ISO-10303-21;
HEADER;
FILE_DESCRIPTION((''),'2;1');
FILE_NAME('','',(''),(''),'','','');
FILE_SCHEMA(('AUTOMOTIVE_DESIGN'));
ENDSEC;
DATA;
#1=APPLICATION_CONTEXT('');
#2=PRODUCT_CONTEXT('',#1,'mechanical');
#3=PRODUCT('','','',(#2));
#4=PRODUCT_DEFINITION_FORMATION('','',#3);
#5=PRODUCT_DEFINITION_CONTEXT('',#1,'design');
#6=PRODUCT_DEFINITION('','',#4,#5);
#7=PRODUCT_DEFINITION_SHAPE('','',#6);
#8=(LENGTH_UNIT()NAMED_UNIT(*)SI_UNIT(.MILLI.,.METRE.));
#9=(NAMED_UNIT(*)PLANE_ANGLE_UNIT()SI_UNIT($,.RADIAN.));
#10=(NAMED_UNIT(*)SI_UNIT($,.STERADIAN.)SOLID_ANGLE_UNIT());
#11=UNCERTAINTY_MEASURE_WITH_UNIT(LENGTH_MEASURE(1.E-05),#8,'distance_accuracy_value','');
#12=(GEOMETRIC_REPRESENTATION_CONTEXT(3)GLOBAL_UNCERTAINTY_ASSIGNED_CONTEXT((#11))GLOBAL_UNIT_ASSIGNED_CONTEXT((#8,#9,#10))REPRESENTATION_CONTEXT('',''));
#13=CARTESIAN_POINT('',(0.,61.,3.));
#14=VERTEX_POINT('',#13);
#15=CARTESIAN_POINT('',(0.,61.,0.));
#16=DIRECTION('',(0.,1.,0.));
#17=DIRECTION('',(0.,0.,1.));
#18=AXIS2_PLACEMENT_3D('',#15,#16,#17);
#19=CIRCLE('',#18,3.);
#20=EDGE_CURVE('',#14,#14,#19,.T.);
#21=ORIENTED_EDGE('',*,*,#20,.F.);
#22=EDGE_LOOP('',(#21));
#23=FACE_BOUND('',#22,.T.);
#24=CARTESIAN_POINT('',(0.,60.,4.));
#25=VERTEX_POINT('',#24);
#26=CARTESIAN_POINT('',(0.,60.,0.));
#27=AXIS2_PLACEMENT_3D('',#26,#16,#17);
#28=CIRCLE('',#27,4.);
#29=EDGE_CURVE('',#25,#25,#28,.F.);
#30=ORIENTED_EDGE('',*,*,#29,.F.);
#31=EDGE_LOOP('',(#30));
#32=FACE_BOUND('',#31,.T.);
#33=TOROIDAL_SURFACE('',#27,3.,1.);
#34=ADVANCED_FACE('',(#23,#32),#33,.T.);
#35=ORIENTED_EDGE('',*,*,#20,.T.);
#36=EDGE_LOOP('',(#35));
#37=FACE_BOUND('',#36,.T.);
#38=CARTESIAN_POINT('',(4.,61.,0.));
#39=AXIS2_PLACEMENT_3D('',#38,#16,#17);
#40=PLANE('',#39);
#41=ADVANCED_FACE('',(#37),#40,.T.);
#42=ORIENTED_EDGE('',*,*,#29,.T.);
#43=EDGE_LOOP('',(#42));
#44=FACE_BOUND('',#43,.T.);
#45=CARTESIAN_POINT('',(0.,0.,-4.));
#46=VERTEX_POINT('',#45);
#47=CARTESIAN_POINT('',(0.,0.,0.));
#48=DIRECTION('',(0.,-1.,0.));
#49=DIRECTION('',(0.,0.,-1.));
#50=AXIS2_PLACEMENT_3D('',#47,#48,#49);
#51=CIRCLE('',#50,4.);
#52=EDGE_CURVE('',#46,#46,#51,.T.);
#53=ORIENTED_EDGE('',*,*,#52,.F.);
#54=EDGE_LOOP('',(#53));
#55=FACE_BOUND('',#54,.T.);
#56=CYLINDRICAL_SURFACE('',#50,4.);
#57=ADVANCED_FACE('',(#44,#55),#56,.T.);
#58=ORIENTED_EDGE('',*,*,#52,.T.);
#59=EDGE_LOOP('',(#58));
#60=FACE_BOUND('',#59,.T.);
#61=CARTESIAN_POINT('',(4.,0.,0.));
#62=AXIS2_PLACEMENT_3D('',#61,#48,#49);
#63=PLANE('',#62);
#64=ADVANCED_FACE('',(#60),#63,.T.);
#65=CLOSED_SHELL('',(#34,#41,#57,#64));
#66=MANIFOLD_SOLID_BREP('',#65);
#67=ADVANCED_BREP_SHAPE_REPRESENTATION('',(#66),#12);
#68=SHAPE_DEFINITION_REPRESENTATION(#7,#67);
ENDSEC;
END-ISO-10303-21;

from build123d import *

# Parameters (mm, degrees)
SKETCH1_W = 4
SKETCH1_H = 61
FILLET1_R = 1


with BuildPart() as part:
    # Sketch1 → Revolve1 (revolve)
    with BuildSketch(Plane.XY, mode=Mode.PRIVATE) as revolve1_sk:
        with Locations((2, 30.5)):
            Rectangle(SKETCH1_W, SKETCH1_H)
    revolve(revolve1_sk.sketch.rotate(Axis((0, 0, 0), (0, 1, 0)), 90), axis=Axis((0, 0, 0), (0, 1, 0)))

    # Fillet1
    fillet1_edges = [part.edges().sort_by_distance(p)[0] for p in [
        (0, 61, 4),
    ]]
    fillet(fillet1_edges, radius=FILLET1_R)


solid = part.part
